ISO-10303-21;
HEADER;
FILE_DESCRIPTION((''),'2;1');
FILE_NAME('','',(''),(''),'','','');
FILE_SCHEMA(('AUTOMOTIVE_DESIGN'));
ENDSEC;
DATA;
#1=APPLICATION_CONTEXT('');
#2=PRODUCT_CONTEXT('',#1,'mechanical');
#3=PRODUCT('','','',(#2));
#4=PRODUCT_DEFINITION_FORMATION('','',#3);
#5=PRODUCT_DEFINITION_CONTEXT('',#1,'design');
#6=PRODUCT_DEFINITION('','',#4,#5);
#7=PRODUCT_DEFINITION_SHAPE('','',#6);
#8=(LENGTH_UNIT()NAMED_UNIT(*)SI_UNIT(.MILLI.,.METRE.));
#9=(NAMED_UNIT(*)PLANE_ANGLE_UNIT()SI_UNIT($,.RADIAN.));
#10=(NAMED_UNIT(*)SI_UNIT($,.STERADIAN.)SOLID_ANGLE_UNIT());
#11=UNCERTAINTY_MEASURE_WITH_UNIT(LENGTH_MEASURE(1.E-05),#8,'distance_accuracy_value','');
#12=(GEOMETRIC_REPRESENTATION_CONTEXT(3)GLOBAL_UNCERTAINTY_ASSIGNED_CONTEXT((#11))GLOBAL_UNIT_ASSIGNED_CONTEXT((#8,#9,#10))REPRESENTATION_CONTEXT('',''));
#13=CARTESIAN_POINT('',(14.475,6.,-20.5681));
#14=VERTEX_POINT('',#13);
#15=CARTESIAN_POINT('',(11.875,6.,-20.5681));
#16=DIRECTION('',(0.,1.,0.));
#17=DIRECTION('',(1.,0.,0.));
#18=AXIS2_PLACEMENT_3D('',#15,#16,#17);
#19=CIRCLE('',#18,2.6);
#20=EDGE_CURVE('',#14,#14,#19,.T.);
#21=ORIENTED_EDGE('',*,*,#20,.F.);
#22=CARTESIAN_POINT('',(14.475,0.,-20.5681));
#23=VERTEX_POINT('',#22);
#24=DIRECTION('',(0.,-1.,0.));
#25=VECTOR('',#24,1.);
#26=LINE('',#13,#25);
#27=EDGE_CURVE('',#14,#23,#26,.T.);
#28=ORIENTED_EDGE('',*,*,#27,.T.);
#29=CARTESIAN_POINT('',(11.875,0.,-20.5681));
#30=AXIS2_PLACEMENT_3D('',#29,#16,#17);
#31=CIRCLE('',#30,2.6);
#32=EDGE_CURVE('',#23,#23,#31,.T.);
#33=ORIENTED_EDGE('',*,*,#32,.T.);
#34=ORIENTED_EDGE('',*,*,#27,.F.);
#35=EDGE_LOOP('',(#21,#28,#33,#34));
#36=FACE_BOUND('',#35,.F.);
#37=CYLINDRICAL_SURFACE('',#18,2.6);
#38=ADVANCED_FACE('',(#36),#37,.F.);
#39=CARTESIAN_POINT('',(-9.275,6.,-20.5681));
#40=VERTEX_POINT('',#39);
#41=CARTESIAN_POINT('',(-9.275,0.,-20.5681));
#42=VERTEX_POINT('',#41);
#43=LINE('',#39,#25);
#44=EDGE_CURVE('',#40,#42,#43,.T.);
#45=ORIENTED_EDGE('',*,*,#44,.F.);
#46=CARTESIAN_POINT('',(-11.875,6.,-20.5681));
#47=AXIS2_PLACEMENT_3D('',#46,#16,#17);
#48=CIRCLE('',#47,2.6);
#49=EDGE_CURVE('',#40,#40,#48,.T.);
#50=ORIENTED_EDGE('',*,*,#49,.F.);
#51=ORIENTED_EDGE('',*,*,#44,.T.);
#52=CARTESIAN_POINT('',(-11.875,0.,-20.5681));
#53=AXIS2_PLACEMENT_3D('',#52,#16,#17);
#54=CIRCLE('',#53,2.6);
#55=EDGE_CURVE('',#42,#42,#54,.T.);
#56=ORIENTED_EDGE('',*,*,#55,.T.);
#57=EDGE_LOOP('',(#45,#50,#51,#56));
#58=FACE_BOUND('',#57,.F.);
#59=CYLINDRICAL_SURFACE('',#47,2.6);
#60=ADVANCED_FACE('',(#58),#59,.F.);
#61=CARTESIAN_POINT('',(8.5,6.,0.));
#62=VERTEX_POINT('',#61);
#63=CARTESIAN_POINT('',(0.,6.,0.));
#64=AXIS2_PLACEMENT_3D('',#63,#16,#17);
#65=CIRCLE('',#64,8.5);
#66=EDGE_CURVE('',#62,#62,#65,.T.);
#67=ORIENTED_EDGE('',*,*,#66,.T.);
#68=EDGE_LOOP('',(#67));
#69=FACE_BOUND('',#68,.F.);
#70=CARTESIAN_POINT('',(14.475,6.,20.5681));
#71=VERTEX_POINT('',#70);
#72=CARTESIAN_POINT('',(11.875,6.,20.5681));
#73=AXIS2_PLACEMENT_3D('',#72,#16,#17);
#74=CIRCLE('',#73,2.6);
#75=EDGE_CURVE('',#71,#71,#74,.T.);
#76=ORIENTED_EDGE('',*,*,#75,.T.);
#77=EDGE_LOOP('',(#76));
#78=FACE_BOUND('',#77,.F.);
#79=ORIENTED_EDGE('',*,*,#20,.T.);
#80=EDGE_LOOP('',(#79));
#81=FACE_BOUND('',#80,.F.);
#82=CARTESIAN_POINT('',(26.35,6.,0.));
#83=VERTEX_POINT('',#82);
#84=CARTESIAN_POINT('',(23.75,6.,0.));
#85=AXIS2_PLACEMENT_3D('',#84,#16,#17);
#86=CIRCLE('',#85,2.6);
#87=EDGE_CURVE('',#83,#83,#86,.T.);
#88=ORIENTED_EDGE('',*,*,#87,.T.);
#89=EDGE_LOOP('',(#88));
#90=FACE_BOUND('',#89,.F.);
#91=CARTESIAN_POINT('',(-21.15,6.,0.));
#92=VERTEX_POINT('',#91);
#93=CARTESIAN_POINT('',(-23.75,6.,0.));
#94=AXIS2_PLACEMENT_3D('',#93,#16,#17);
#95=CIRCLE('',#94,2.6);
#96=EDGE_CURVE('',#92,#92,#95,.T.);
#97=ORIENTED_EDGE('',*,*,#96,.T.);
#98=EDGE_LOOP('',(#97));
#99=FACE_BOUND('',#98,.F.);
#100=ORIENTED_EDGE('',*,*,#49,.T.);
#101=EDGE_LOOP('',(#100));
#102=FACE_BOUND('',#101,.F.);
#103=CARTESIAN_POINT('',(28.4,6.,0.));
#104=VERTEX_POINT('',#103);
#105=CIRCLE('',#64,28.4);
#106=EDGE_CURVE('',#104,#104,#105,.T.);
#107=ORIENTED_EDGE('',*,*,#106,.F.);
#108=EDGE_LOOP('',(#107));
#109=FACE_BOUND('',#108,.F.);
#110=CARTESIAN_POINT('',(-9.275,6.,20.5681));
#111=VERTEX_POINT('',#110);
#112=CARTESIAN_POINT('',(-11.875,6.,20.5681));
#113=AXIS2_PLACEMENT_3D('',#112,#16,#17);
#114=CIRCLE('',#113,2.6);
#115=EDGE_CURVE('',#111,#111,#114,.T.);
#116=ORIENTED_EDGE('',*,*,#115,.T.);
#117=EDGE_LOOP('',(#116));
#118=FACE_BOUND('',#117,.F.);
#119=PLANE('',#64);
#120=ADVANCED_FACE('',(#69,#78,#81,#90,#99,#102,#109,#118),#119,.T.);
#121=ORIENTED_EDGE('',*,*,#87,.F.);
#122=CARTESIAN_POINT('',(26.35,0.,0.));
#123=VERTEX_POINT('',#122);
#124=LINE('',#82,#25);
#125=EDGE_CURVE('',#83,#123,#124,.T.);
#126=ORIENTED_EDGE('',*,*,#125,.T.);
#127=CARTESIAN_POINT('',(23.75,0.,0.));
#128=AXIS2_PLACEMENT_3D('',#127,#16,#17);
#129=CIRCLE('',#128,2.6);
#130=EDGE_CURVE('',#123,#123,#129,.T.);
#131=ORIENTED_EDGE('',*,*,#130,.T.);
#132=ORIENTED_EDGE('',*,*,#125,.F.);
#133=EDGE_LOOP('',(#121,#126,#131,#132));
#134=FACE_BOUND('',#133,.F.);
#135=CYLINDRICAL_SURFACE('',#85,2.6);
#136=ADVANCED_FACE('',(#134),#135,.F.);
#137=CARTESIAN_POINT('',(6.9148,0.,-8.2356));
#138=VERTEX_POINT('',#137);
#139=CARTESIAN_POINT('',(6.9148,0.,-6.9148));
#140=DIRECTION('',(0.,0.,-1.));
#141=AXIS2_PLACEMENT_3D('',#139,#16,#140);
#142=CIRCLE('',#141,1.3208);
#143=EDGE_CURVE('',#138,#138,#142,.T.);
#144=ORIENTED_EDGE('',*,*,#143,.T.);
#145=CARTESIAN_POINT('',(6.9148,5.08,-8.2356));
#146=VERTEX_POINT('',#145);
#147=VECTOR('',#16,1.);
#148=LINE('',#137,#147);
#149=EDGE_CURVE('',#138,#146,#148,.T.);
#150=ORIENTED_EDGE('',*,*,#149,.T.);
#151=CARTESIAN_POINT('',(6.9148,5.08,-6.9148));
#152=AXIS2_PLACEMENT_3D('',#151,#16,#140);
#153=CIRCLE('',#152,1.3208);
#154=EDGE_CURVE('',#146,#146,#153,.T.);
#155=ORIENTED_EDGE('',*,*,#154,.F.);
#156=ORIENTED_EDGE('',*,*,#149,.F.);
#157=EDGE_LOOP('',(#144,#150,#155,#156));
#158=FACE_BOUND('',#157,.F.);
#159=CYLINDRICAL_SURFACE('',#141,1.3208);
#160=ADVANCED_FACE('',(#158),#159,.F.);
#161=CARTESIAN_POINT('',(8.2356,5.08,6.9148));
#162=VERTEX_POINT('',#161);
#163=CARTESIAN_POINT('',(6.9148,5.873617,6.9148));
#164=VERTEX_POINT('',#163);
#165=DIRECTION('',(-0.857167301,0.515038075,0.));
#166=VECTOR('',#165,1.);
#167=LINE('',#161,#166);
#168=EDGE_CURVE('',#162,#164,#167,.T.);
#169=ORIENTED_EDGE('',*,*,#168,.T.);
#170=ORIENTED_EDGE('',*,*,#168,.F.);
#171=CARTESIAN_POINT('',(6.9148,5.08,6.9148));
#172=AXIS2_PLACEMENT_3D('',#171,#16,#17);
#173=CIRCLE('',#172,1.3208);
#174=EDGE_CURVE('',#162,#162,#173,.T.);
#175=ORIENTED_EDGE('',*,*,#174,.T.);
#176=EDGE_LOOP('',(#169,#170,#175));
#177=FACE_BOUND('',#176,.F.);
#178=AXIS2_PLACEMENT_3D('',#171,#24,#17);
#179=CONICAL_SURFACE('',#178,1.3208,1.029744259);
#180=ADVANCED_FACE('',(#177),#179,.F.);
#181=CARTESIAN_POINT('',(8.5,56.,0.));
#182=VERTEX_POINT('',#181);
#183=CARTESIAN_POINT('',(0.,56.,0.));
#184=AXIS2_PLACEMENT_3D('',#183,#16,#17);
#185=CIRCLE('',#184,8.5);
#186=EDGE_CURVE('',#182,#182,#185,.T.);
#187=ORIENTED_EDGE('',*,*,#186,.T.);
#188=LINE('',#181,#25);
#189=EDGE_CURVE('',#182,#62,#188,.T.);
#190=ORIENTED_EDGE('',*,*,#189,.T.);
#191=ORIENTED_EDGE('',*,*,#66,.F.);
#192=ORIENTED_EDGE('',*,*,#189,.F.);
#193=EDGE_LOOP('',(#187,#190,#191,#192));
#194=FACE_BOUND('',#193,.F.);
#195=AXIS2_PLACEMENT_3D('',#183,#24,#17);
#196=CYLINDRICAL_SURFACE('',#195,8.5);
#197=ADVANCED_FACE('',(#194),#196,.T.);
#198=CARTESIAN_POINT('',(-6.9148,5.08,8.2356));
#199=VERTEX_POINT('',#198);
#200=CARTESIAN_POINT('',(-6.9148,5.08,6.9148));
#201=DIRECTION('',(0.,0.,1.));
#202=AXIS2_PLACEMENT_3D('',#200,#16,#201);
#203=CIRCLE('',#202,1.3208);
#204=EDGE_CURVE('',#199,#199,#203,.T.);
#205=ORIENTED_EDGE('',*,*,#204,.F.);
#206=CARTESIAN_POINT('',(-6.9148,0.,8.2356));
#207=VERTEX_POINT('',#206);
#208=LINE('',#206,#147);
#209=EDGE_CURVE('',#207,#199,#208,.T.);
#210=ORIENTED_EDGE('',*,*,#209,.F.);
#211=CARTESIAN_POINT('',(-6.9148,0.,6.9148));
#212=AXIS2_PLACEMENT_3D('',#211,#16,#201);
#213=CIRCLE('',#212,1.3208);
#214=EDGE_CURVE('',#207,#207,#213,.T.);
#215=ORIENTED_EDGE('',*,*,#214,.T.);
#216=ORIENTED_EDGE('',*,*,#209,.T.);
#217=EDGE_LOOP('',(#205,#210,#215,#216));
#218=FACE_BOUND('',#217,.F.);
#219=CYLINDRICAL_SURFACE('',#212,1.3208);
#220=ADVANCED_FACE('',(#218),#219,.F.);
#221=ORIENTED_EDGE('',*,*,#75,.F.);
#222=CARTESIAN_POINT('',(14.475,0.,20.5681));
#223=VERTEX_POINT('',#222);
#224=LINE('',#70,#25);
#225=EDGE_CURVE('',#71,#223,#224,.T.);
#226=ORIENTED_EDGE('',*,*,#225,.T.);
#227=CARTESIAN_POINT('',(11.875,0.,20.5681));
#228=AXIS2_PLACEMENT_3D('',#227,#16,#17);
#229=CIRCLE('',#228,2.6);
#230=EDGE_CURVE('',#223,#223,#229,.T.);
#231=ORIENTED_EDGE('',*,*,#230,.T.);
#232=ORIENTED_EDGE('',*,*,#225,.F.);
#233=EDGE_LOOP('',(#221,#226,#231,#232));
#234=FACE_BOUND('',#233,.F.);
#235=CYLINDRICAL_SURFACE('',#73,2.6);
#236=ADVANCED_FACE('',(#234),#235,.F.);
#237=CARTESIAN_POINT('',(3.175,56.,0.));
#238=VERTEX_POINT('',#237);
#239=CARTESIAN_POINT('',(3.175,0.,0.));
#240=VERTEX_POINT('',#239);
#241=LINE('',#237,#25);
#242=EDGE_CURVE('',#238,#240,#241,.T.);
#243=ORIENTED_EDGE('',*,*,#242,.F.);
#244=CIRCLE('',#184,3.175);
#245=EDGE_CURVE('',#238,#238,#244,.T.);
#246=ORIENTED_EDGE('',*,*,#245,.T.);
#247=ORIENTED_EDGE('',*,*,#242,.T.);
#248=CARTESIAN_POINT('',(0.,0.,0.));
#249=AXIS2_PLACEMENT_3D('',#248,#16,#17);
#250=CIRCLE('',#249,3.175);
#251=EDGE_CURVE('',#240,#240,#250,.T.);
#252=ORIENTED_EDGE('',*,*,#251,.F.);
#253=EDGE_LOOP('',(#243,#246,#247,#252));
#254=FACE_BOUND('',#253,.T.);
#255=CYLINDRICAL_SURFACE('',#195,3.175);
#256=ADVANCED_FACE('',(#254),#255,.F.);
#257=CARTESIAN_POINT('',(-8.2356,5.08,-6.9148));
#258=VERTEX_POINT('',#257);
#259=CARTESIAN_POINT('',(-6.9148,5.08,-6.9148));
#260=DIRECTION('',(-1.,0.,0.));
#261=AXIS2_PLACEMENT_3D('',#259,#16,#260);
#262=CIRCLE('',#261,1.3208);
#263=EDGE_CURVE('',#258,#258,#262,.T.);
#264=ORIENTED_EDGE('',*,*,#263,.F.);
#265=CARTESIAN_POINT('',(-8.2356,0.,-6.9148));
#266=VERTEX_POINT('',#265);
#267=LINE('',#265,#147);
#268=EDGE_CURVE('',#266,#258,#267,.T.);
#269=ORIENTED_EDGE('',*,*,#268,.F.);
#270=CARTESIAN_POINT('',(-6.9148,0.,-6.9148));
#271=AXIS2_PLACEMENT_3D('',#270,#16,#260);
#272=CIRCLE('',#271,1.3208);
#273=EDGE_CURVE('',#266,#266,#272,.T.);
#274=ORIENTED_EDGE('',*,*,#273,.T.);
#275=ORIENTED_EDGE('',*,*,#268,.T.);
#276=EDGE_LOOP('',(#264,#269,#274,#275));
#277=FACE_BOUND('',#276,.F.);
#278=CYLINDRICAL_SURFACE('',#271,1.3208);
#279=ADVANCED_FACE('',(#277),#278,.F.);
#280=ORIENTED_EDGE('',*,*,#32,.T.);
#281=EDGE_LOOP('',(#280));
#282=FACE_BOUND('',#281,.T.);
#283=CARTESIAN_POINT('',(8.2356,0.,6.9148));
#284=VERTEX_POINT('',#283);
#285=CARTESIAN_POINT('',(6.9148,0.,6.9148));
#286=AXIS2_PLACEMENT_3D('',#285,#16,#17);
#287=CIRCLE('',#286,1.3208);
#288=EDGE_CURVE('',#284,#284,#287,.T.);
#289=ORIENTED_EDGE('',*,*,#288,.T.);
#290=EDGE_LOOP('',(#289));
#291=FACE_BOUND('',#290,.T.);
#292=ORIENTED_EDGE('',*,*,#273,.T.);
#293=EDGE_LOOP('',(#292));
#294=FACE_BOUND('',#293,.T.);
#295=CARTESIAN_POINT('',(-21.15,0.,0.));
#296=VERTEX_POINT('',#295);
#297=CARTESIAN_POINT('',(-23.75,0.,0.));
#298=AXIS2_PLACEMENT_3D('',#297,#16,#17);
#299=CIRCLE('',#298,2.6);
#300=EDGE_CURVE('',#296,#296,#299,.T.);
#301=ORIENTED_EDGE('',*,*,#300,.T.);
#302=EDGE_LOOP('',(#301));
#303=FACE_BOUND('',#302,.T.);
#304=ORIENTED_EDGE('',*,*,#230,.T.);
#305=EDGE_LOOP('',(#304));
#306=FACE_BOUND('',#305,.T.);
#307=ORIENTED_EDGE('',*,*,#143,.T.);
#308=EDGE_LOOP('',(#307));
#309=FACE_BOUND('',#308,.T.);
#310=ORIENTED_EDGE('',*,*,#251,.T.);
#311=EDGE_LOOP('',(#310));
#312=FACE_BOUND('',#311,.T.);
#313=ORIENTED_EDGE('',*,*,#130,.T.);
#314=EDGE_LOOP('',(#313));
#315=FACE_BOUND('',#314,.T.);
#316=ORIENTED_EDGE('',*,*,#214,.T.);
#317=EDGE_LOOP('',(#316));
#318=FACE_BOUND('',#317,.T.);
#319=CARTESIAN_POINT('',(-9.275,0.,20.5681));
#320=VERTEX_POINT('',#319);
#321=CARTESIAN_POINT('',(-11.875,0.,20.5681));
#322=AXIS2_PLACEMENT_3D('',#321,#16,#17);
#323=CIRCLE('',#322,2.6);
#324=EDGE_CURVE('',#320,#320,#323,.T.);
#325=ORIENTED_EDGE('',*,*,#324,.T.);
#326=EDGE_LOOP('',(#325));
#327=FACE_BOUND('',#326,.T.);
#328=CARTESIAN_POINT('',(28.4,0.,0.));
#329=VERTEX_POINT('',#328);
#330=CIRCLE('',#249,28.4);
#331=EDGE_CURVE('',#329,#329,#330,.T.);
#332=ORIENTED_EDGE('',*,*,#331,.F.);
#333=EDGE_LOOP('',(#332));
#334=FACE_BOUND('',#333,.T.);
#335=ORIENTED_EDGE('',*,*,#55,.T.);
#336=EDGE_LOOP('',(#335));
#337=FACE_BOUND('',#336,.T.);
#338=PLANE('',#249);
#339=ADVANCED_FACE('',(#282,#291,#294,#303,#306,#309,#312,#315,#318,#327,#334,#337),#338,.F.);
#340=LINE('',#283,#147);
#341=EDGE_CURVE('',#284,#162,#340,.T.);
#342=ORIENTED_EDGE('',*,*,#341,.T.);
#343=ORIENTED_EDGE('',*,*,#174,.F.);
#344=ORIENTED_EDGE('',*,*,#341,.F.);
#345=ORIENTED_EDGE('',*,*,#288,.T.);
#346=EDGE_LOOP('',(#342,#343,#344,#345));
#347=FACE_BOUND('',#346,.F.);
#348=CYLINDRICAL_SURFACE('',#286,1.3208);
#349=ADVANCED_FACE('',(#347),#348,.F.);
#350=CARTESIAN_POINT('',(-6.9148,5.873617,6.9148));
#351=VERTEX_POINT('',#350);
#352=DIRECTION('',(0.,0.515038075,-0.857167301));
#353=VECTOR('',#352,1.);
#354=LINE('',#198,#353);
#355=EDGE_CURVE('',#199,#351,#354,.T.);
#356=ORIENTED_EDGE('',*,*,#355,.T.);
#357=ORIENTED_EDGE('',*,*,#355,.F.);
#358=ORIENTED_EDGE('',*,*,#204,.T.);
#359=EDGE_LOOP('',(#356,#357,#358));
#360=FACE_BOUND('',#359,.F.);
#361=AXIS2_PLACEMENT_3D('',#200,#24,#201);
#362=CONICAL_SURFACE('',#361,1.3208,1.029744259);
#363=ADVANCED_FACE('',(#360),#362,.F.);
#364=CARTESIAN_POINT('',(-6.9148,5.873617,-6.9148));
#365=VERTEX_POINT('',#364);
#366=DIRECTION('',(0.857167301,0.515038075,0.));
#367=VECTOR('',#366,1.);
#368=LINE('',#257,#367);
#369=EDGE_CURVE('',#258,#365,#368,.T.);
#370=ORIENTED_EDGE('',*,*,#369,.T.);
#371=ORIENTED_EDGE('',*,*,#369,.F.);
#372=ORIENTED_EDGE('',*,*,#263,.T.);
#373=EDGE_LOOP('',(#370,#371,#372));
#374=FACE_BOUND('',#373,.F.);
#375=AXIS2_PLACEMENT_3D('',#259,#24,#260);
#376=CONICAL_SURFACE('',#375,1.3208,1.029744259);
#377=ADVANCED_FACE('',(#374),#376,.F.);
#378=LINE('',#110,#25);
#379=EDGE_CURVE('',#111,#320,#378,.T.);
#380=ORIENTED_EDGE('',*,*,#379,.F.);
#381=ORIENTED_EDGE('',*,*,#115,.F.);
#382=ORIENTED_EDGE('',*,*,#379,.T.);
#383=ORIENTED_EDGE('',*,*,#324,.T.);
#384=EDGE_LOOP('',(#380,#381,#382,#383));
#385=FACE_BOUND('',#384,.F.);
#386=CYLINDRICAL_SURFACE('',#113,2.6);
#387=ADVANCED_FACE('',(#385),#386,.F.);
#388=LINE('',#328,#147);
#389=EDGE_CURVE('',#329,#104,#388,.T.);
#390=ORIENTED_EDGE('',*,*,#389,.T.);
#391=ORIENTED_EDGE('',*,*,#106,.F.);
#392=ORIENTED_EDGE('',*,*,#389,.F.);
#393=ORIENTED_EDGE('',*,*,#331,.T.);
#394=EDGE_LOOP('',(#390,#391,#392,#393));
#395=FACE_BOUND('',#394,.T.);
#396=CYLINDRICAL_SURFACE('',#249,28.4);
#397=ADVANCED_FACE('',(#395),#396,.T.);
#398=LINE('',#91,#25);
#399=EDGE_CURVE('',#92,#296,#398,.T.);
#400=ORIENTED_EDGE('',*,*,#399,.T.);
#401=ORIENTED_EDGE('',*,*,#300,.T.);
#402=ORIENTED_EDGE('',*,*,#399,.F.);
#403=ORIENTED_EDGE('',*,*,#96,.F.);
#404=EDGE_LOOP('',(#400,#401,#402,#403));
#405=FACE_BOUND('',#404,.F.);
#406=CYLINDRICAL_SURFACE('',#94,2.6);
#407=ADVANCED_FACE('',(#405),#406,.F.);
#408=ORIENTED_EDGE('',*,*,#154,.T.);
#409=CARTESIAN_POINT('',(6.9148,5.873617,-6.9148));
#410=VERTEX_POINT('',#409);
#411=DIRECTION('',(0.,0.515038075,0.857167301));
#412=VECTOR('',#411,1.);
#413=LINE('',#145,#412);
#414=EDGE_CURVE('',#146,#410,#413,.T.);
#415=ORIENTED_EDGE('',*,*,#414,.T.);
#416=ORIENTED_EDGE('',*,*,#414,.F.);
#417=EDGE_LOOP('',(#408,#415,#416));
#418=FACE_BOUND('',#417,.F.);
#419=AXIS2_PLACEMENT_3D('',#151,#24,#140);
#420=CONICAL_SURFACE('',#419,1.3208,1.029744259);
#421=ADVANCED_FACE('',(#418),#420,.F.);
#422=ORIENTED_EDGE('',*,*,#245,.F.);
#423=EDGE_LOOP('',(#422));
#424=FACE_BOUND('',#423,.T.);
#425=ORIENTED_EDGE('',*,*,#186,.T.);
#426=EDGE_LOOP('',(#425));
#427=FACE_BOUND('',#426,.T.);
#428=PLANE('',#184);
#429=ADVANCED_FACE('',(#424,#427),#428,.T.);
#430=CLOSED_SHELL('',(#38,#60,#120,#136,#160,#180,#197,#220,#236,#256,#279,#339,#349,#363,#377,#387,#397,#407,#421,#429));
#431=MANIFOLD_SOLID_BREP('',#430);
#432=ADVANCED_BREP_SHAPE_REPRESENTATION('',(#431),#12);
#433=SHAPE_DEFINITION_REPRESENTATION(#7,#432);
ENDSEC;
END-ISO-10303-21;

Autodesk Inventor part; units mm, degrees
ref_plane "YZ Plane" through (0, 0, 0) normal (1, 0, 0) x (0, 1, 0)
ref_plane "XZ Plane" through (0, 0, 0) normal (0, 1, 0) x (-1, 0, 0)
ref_plane "XY Plane" through (0, 0, 0) normal (0, 0, 1) x (1, 0, 0)
sketch "Sketch1" plane through (0, 0, 0) normal (0, 0, 1) x (1, 0, 0)
  line L0 (0, 0) -> (0, 26.4) construction
  line L1 (3.175, 56) -> (3.175, 0)
  line L2 (28.4, 0) -> (28.4, 6)
  line L3 (3.175, 0) -> (28.4, 0)
  line L4 (8.5, 56) -> (8.5, 6)
  line L5 (8.5, 6) -> (28.4, 6)
  line L6 (8.5, 56) -> (8.5, -232.68) construction
  line L7 (8.5, 56) -> (8.5, 16.2) construction
  line L8 (8.5, 56) -> (3.175, 56)
  dimension "d0" = 26.4
  dimension "d5" = 6
  dimension "d11" = 5.325
  dimension "d32" = 3.175
  dimension "d37" = 28.4
  dimension "d38" = 50
revolve "Revolution1" add sketch "Sketch1" angle 360 about axis through (0, 0, 0) along (0, 1, 0)
sketch "Sketch4" plane through (0, 6, 0) normal (0, 1, 0) x (1, 0, 0)
  line L0 (0, 0) -> (-23.75, 0) construction
  circle A0 centre (-23.75, 0) radius 2.6
  circle A1 centre (-11.875, -20.5681) radius 2.6
  circle A2 centre (11.875, -20.5681) radius 2.6
  circle A3 centre (23.75, 0) radius 2.6
  circle A4 centre (11.875, 20.5681) radius 2.6
  circle A5 centre (-11.875, 20.5681) radius 2.6
  dimension "d23" = 23.75
  dimension "d24" = 5.2
  dimension "d27" = 360
extrude "Extrusion1" cut sketch "Sketch4" against normal blind 6
sketch "Sketch5" plane through (0, 0, 0) normal (0, -1, 0) x (1, 0, 0)
  circle A0 centre (0, 0) radius 3.175 projected
  line L0 (0, 0) -> (6.9148, -6.9148)
  line L1 (0, 0) -> (9.779, 0) construction
  dimension "d39" = 9.779
  dimension "d40" = 45
hole "Hole2" at (6.9148, 0, -6.9148) direction (0, 1, 0) diameter 2.6416 depth 5.08 tip angle 118 thread size "6-32 UNC" class "2B" standard "ANSI Unified Screw Threads"
pattern_circular "Circular Pattern1" count 4 over 360 about axis through (0, 28, 0) along (0, -1, 0) of "Hole2"
properties part number "Mechanum Wheel Adapter"
